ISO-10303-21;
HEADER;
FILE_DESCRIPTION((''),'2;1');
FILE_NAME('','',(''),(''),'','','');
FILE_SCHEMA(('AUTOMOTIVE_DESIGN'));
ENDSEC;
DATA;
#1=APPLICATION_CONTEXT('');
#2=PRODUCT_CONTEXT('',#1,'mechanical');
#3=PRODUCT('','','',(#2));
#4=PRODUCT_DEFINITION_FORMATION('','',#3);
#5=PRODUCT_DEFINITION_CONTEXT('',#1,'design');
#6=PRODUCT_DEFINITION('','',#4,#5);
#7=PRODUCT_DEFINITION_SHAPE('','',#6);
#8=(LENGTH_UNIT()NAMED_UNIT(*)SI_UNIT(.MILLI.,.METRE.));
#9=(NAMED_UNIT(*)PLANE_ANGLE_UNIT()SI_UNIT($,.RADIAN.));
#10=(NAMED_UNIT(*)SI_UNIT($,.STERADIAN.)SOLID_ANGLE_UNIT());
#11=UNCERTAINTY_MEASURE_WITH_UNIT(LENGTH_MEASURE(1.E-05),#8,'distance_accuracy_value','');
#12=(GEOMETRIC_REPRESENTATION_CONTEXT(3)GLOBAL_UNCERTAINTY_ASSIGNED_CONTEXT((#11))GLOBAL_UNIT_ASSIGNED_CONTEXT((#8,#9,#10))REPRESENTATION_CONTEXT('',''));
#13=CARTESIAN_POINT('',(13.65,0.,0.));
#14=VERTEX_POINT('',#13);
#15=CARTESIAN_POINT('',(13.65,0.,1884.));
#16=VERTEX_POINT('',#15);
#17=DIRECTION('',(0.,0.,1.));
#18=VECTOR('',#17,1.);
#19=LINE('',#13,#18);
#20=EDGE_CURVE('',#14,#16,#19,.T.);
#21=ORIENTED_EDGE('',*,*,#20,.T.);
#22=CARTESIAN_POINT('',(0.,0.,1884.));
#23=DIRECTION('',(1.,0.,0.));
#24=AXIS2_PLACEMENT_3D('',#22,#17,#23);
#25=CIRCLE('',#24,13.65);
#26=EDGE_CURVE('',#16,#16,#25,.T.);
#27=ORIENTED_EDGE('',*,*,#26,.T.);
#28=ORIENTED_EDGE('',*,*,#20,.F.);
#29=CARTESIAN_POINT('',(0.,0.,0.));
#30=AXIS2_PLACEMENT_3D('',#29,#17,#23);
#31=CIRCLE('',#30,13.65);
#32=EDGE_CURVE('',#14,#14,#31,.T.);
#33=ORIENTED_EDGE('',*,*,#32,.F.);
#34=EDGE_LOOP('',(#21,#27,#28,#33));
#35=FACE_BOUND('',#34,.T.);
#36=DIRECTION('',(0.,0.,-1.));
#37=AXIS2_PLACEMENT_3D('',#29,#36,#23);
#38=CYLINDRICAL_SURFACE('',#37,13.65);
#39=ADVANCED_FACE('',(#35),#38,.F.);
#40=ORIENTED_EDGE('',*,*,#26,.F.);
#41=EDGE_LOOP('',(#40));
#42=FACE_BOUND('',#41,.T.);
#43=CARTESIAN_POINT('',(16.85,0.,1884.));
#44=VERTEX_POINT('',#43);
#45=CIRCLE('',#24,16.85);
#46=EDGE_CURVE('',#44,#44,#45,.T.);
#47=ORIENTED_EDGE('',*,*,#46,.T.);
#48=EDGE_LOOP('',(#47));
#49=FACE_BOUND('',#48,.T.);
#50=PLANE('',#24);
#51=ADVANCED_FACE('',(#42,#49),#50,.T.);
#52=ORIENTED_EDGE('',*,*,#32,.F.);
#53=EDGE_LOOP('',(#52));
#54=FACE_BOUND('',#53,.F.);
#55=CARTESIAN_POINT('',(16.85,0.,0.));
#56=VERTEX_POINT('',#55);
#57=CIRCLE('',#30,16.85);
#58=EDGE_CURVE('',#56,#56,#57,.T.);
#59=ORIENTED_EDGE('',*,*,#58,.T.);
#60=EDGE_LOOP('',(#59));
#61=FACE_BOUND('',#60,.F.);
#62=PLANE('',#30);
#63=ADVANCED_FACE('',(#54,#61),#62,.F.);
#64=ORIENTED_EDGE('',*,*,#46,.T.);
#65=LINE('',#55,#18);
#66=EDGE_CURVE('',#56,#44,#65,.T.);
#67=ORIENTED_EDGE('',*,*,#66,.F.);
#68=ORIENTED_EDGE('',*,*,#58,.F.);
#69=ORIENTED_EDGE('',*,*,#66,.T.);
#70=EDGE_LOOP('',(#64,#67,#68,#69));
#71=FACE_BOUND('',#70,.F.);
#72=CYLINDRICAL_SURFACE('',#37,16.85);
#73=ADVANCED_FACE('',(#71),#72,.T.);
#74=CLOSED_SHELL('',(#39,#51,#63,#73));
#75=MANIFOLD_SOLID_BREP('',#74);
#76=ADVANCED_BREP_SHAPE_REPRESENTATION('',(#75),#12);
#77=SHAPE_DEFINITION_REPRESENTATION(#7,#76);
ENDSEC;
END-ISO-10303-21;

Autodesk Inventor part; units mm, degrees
ref_plane "YZ Plane" through (0, 0, 0) normal (1, 0, 0) x (0, 1, 0)
ref_plane "XZ Plane" through (0, 0, 0) normal (0, 1, 0) x (-1, 0, 0)
ref_plane "XY Plane" through (0, 0, 0) normal (0, 0, 1) x (1, 0, 0)
sketch "Sketch1" plane through (0, 0, 0) normal (0, 0, 1) x (1, 0, 0)
  circle A0 centre (0, 0) radius 13.65
  circle A1 centre (0, 0) radius 16.85
  dimension "d0" = 3.2
  dimension "d1" = 33.7
  dimension "d2" = 27.3
extrude "Extrusion1" add sketch "Sketch1" along normal blind 1884
equation "\"d3\" = trinbredde"
equation "\"pladetykkelse\" = 3"
equation "\"trappevinkel\" = 34.3deg"
equation "\"trappestifter_dia\" = 25"
equation "\"trappestifter_huldia\" = 25.8"
equation "\"trappestifter_skraa_huldia\" = 26.6"
equation "\"trappestifter_laengde\" = 228"
equation "\"perforeringsbredde\" = 6"
equation "\"perforeringshullaengde\" = 62.8"
equation "\"perforeringshullaengde_top\" = 61"
equation "\"perforeringshullaengde_bund\" = 61.6"
equation "\"perforeringsoffset\" = 8"
equation "\"perforeringsoffset_top\" = 8"
equation "\"perforeringsoffset_bund\" = 8"
equation "\"laskehul_dia\" = 13"
equation "\"balusterhul_udvidelse\" = 1"
equation "\"trinbredde\" = 1884"
properties part number "trin-rør" material "Steel"
